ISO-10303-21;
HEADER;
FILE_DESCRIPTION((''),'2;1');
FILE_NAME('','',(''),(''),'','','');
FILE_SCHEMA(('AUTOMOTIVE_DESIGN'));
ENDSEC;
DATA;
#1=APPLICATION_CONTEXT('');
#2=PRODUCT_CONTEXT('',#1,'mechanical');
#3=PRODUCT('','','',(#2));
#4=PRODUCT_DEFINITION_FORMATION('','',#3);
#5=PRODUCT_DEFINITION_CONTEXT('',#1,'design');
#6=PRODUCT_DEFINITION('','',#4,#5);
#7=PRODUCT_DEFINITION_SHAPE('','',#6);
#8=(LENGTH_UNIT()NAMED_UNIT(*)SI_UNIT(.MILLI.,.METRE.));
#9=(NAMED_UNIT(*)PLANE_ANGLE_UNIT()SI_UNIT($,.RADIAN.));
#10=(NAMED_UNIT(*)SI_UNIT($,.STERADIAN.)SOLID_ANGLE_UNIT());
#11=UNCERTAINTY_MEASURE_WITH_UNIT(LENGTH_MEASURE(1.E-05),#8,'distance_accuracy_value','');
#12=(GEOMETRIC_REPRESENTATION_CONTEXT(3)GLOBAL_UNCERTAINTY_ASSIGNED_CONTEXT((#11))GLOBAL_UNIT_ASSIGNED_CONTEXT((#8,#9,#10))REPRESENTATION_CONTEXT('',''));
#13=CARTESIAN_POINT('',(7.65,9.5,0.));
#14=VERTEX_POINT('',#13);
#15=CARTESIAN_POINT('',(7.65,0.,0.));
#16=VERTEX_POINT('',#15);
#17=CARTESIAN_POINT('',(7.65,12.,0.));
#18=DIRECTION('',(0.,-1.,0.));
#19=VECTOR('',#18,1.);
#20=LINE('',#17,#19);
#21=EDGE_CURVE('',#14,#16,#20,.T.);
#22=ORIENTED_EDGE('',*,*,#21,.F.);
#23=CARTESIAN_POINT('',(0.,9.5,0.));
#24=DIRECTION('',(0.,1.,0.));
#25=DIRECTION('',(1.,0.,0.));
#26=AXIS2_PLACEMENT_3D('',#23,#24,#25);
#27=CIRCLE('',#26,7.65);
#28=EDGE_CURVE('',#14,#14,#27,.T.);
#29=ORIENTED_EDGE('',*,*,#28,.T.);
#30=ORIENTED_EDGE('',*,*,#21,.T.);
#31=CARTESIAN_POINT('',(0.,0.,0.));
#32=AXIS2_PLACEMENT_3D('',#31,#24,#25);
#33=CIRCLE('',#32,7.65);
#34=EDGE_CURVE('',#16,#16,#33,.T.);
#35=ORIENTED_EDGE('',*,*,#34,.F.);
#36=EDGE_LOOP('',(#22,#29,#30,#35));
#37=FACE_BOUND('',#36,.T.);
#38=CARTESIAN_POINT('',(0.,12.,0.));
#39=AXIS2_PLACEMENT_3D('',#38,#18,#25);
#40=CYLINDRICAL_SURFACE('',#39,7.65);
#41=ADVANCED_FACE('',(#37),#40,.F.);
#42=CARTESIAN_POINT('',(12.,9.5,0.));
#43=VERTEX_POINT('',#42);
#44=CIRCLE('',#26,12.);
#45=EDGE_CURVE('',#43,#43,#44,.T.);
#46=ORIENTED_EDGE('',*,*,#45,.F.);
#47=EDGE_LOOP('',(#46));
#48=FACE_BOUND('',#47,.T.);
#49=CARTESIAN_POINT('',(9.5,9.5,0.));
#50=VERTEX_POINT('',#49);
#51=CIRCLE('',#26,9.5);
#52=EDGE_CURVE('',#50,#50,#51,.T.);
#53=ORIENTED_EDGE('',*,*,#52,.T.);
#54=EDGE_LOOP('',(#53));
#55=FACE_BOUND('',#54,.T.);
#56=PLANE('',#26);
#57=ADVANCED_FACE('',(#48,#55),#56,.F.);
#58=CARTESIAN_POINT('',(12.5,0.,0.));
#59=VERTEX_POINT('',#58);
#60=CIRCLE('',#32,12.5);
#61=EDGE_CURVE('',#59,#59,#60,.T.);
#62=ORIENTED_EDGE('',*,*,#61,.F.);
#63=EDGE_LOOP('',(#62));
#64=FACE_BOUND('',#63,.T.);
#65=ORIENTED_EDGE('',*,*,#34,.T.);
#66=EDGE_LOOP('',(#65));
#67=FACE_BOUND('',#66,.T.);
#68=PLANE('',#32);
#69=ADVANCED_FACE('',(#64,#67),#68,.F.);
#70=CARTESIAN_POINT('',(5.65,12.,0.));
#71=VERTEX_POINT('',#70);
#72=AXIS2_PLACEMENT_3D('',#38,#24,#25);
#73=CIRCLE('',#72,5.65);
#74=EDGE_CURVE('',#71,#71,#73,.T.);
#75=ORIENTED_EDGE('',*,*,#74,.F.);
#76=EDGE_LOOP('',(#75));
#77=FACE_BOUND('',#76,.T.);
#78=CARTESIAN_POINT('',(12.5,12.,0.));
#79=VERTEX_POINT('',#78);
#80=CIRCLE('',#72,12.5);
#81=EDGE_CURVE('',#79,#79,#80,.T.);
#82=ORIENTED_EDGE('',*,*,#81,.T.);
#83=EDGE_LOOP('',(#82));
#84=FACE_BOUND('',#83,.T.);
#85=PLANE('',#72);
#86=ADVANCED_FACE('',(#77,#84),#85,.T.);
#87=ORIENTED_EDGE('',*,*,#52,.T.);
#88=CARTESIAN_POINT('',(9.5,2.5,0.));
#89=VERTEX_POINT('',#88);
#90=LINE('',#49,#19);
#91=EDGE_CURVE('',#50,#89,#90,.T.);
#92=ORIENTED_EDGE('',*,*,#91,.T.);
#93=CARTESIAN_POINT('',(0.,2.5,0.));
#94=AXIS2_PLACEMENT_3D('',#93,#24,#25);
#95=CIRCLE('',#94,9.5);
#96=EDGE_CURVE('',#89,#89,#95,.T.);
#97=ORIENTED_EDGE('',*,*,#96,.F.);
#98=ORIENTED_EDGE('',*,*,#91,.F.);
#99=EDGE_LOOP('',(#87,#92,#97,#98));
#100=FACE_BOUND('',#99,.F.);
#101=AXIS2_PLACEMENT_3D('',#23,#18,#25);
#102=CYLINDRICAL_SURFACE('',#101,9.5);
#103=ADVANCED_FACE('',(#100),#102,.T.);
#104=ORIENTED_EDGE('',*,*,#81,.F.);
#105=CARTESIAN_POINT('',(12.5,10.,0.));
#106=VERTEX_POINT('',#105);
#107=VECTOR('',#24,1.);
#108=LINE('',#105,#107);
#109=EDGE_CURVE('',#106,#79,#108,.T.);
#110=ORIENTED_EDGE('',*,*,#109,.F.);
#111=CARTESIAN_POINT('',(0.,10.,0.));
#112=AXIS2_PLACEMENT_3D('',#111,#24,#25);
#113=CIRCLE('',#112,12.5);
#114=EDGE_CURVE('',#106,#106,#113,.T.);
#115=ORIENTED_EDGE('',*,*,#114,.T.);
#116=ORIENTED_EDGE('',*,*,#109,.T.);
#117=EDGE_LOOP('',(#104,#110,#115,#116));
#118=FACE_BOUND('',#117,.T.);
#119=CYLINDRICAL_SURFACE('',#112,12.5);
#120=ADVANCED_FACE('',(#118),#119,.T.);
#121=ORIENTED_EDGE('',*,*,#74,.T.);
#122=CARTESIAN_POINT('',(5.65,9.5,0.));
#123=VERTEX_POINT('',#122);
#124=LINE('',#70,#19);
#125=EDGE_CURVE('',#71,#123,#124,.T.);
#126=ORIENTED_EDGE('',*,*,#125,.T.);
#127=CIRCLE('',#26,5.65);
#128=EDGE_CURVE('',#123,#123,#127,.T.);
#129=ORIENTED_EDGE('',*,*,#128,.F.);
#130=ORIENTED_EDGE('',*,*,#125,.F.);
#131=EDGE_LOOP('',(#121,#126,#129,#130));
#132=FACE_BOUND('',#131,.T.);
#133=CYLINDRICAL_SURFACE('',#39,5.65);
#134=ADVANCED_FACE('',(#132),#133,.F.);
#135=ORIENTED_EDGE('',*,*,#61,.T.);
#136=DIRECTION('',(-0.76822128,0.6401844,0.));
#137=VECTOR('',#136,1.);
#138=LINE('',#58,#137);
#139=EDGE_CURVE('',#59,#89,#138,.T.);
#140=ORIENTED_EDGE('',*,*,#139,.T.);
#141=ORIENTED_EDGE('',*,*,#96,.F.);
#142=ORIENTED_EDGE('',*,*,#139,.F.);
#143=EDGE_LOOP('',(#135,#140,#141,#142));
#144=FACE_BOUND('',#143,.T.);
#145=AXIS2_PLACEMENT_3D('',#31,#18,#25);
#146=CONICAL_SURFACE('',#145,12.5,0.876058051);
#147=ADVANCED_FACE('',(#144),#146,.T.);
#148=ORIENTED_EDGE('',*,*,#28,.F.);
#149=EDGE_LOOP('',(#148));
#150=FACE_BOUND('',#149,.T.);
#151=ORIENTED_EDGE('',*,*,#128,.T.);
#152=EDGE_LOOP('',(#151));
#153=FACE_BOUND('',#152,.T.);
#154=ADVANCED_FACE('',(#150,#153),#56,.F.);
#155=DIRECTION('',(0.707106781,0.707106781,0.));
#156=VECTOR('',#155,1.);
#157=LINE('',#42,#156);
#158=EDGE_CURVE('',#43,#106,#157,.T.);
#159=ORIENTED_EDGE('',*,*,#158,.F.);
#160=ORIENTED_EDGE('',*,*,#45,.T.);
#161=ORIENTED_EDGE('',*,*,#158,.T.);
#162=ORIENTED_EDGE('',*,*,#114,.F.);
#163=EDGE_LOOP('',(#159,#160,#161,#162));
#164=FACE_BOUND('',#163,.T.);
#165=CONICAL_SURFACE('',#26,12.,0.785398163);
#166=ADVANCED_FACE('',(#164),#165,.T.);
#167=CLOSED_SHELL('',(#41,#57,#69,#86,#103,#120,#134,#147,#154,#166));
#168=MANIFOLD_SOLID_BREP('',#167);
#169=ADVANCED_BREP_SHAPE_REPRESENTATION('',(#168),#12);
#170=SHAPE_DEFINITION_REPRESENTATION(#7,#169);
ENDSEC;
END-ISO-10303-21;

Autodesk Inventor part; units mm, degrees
ref_plane "YZ Plane" through (0, 0, 0) normal (1, 0, 0) x (0, 1, 0)
ref_plane "XZ Plane" through (0, 0, 0) normal (0, 1, 0) x (-1, 0, 0)
ref_plane "XY Plane" through (0, 0, 0) normal (0, 0, 1) x (1, 0, 0)
sketch "Sketch1" plane through (0, 0, 0) normal (0, 0, 1) x (1, 0, 0)
  line L0 (7.65, 0) -> (12.5, 0)
  line L1 (12.5, 0) -> (12.5, 12) construction
  line L2 (12.5, 12) -> (7.65, 12)
  line L3 (7.65, 12) -> (7.65, 0)
  line L4 (0, 0) -> (0, 8.5122) construction
  line L5 (9.5, 9.5) -> (9.5, 2.5)
  line L6 (9.5, 9.5) -> (12, 9.5)
  line L7 (12, 9.5) -> (12.5, 10)
  line L8 (12.5, 0) -> (9.5, 2.5)
  line L9 (12.5, 10) -> (12.5, 12)
  line L10 (7.65, 12) -> (5.65, 12)
  line L11 (5.65, 12) -> (5.65, 9.5)
  line L12 (5.65, 9.5) -> (7.65, 9.5)
  line L13 (7.65, 9.5) -> (7.65, 12)
  point P0 (12.5, 0.6699)
  point P1 (12.5, 6)
  point P2 (15.2143, 7.5754)
  point P3 (15.2143, 2.4246)
  point P4 (9.5, 6)
  point P5 (17.7886, 0.302)
  point P6 (7.65, 6)
  dimension "d6" = 12
  dimension "d7" = 7.65
  dimension "d17" = 7
  dimension "d18" = 2.5
  dimension "d19" = 135
  dimension "d20" = 3
  dimension "d21" = 2
  dimension "d22" = 2.5
  dimension "d23" = 12.5
revolve "Revolution1" add sketch "Sketch1" angle 360 about axis through (0, 0, 0) along (0, 1, 0)
properties part number "pully 15mmx25mmx12mm"
